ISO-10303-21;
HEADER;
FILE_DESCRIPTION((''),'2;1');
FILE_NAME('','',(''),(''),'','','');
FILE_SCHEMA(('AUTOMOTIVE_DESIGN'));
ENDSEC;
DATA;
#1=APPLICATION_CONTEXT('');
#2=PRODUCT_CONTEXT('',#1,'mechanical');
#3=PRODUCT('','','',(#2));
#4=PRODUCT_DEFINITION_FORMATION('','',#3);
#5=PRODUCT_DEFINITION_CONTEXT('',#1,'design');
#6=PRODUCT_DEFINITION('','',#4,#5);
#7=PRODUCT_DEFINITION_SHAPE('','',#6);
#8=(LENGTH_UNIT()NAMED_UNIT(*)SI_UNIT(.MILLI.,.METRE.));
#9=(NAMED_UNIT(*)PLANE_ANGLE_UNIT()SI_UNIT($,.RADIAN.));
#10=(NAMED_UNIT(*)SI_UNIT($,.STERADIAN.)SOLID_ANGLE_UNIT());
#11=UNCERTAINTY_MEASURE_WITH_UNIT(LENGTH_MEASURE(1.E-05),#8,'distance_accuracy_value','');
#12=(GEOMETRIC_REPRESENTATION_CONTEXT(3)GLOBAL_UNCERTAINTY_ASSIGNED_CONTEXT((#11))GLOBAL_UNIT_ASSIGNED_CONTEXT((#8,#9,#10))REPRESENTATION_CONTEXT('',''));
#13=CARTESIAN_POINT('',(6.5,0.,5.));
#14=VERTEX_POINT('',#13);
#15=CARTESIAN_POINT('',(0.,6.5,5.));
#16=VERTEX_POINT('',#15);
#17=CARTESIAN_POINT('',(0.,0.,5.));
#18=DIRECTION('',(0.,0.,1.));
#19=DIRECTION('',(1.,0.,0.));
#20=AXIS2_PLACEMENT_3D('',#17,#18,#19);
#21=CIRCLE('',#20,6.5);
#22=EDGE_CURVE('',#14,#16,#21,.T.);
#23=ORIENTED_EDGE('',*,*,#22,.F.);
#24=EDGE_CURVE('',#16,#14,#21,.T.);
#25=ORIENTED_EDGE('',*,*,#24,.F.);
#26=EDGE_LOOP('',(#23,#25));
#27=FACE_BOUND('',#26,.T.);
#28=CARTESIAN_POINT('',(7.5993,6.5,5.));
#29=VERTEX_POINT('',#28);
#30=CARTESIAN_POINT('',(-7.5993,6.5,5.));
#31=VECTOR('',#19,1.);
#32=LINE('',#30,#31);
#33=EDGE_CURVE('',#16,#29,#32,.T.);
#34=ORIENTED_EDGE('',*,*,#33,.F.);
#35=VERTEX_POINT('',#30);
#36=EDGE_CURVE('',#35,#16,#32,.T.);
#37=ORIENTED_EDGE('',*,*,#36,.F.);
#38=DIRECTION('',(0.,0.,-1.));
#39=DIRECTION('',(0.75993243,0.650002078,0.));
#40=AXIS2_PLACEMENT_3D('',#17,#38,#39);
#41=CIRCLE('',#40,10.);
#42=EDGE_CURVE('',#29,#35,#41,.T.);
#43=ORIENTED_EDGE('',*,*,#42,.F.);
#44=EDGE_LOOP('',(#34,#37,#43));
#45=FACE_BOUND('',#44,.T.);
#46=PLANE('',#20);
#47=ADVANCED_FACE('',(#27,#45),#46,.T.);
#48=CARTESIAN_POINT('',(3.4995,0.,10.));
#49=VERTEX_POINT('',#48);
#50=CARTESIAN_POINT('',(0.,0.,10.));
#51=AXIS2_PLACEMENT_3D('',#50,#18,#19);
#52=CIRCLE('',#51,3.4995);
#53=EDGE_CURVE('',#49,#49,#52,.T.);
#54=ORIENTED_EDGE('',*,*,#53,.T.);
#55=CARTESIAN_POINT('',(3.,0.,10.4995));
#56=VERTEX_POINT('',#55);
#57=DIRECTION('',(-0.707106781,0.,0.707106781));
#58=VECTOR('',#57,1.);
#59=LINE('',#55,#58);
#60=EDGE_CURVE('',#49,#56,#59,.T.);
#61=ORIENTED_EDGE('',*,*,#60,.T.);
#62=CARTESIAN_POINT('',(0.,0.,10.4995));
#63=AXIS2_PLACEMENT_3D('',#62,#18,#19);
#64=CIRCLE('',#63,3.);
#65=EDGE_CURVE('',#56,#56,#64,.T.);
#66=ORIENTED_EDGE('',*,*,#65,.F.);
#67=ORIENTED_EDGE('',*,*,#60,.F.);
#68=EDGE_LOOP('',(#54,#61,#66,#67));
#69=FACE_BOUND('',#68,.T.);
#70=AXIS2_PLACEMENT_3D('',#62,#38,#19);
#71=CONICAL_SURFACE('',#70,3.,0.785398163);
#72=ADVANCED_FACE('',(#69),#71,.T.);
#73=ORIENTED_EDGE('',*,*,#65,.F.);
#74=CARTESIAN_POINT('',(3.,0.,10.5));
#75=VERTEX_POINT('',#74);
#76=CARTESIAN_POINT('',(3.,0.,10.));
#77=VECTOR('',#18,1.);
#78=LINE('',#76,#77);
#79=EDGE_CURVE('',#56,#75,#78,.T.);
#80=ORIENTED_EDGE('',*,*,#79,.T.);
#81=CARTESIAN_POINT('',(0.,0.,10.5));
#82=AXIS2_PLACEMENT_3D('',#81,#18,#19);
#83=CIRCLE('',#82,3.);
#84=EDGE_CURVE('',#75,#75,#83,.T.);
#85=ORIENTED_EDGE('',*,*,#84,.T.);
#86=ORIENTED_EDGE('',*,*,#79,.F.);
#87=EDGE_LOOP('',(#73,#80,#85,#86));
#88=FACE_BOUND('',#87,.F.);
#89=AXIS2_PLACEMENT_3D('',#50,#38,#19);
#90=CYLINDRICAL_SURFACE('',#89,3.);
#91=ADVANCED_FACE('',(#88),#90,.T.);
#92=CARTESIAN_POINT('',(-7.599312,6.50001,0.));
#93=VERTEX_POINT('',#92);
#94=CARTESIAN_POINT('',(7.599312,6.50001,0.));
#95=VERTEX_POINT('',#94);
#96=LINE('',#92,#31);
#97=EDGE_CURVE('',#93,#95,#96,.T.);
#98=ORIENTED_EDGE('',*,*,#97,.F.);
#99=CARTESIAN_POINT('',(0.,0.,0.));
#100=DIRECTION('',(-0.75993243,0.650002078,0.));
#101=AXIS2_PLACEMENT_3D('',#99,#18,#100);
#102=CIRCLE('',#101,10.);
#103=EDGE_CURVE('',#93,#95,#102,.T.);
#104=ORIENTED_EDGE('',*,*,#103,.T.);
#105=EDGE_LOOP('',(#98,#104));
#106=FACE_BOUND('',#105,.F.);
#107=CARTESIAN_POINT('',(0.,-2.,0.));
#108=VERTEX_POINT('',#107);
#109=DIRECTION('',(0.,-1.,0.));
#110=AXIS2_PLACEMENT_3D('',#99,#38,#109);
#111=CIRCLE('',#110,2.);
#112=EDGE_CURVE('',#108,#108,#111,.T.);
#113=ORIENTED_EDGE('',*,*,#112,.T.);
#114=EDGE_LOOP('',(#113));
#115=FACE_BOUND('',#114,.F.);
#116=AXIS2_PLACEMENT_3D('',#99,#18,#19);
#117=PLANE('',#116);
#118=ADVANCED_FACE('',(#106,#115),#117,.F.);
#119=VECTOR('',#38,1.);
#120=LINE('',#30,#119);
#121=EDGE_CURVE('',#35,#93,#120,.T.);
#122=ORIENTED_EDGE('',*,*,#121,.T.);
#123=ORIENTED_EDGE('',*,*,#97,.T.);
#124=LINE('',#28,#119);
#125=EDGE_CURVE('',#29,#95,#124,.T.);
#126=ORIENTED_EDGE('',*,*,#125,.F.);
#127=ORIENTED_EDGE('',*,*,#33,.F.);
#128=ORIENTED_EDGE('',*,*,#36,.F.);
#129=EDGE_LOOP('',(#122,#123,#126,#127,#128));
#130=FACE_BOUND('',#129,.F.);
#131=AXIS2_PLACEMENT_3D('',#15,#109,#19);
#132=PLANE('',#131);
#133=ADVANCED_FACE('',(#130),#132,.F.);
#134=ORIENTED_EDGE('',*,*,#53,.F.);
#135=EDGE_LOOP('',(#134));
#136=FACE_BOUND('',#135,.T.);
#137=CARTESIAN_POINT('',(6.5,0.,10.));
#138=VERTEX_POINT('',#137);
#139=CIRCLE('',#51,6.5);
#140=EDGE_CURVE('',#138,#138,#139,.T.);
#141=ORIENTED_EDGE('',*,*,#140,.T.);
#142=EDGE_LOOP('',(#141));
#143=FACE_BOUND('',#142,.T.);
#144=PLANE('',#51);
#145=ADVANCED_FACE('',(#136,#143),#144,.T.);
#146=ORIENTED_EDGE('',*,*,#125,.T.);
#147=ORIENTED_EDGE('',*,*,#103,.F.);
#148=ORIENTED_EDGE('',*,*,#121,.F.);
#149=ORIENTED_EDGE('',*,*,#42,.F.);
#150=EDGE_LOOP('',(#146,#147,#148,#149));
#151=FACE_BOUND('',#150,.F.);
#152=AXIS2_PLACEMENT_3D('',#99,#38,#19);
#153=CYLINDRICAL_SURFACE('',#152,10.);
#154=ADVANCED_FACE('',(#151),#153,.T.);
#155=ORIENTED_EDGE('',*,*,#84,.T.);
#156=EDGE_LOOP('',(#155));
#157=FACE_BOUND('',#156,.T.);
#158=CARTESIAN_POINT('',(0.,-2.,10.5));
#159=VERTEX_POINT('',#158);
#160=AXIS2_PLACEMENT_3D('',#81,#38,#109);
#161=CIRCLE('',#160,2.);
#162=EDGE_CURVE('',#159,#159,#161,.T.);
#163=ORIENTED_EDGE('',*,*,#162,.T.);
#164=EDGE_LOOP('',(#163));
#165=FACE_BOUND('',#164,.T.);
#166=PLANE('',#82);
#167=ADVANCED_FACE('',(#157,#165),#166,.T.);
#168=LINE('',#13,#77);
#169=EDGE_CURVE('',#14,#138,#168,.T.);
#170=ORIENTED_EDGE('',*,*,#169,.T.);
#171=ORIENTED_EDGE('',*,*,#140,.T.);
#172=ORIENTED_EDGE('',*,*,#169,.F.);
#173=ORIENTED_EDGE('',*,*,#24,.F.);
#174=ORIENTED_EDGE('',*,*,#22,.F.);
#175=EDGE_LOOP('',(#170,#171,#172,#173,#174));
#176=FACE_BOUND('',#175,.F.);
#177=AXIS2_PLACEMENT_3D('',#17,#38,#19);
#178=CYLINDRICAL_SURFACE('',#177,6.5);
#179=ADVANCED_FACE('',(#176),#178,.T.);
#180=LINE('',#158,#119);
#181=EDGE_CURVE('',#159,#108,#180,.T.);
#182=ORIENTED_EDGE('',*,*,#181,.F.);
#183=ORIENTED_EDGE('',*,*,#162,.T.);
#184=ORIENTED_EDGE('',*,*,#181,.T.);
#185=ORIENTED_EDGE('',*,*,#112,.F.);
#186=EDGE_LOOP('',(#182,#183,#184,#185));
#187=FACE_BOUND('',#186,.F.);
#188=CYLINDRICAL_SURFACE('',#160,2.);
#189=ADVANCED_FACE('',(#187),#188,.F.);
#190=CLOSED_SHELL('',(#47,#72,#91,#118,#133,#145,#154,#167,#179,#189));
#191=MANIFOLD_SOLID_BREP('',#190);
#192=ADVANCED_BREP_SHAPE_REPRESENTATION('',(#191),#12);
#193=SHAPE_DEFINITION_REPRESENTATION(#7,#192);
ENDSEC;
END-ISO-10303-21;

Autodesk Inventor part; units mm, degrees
ref_plane "YZ Plane" through (0, 0, 0) normal (1, 0, 0) x (0, 1, 0)
ref_plane "XZ Plane" through (0, 0, 0) normal (0, 1, 0) x (-1, 0, 0)
ref_plane "XY Plane" through (0, 0, 0) normal (0, 0, 1) x (1, 0, 0)
sketch "Skizze1" plane through (0, 0, 0) normal (0, 0, 1) x (1, 0, 0)
  circle A0 centre (0, 0) radius 10
  dimension "d0" = 20
extrude "Extrusion1" add sketch "Skizze1" along normal blind 5
sketch "Skizze2" plane through (0, 0, 5) normal (0, 0, 1) x (1, 0, 0)
  circle A0 centre (0, 0) radius 6.5
  dimension "d3" = 13
extrude "Extrusion2" add sketch "Skizze2" along normal blind 5
sketch "Skizze3" plane through (0, 0, 5) normal (0, 0, 1) x (1, 0, 0)
  circle A0 centre (0, 0) radius 6.5 projected
  circle A1 centre (0, 0) radius 10 projected
  line L0 (-7.5993, 6.5) -> (7.5993, 6.5)
extrude "Extrusion3" cut sketch "Skizze3" against normal through all contours L0 A1 picked at (4.4606, 7.0529)
sketch "Skizze4" plane through (0, 0, 10) normal (0, 0, 1) x (1, 0, 0)
  circle A0 centre (0, 0) radius 3
  dimension "d8" = 6
extrude "Extrusion4" add sketch "Skizze4" along normal blind 0.5
sketch "Skizze5" plane through (0, 0, 10.5) normal (0, 0, 1) x (1, 0, 0)
  point P0 (0, 0)
hole "Bohrung1" at (0, 0, 10.5) direction (0, 0, -1) diameter 4 end through all
chamfer "Fase1" distance 0.5 angle 45 1 edges at (-3, 0, 10)
properties part number "Belt_T_Spacer" material "Aluminium 6061"
